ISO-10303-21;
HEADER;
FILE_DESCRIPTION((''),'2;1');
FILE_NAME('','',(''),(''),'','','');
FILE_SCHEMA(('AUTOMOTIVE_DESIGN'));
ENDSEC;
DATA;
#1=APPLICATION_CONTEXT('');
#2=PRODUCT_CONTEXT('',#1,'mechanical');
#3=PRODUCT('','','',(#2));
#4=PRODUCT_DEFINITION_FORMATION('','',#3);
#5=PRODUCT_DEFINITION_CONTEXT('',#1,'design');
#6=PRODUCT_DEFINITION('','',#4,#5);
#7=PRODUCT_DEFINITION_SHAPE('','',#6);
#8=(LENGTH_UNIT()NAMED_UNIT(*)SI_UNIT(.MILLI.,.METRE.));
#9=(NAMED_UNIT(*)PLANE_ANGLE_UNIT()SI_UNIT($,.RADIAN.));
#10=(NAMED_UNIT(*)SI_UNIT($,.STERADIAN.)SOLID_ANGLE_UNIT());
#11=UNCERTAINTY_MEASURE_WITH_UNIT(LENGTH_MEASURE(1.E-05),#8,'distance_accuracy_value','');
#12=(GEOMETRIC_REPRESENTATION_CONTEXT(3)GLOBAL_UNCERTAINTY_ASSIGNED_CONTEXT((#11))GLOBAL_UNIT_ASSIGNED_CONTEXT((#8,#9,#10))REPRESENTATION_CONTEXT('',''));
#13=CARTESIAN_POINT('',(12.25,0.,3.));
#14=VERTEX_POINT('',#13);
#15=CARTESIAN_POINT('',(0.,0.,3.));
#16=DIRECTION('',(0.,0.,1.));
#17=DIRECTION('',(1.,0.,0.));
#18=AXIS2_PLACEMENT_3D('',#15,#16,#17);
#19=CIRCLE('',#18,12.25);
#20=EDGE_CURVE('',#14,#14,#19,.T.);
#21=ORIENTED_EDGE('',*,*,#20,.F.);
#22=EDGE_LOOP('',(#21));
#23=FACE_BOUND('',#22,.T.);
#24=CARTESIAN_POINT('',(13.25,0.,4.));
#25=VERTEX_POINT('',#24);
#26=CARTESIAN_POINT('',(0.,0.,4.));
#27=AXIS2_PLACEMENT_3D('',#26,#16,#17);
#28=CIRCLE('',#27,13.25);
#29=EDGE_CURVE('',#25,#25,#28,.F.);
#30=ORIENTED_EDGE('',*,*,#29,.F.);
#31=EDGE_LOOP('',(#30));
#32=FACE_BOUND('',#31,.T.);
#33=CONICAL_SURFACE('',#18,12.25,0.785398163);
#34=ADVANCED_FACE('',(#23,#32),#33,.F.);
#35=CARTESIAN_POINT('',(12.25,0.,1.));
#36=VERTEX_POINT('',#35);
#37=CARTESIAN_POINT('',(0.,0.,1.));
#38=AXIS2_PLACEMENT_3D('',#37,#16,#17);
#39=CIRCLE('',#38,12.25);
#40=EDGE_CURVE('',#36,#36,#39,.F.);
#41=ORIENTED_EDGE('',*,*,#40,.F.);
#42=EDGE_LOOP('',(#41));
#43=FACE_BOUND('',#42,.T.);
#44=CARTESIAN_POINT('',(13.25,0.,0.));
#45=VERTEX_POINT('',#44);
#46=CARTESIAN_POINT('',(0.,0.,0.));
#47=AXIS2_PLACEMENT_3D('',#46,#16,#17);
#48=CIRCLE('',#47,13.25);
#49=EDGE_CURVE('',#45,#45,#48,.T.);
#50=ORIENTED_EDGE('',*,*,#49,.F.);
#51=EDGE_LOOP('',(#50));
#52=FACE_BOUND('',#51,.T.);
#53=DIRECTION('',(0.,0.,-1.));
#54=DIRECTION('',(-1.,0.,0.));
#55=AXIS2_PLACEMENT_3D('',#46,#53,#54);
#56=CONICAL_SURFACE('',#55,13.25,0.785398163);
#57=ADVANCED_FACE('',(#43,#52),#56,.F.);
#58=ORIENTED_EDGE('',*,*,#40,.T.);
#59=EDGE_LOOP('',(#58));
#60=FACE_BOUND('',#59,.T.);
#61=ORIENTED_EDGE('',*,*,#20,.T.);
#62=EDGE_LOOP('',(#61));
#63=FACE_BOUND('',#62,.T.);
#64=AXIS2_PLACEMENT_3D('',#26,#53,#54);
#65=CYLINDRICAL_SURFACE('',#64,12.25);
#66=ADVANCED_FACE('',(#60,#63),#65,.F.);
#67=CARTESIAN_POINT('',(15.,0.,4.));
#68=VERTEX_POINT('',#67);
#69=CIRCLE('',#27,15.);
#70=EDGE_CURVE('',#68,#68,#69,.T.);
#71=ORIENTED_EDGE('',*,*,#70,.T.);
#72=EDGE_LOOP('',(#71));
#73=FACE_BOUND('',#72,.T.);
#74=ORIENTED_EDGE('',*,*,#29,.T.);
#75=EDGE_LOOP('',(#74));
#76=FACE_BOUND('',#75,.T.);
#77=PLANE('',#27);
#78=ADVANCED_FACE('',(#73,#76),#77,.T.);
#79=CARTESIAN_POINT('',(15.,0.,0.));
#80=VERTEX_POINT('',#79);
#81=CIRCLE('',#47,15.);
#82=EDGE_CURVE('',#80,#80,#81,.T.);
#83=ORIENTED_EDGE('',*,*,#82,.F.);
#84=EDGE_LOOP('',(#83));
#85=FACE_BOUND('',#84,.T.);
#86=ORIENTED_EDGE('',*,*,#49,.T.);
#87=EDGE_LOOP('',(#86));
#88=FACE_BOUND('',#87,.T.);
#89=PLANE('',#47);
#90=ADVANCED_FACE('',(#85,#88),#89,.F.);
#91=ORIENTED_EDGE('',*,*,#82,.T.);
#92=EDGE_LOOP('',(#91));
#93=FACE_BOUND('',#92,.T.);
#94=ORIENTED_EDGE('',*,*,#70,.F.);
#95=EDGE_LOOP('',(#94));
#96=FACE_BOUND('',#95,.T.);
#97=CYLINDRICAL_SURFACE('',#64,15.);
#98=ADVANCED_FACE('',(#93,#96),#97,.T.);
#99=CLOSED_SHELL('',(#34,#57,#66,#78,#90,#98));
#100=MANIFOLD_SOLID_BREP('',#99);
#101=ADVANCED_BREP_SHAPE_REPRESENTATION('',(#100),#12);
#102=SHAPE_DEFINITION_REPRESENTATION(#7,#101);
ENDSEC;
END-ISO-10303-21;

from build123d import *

# Parameters (mm, degrees)
SKETCH_1_R      = 15
SKETCH_1_R_2    = 12.25
EXTRUDE_1_DEPTH = 4
CHAMFER_1_SIZE  = 1


with BuildPart() as part:
    # 草图1 → 凸台-拉伸1 (new body)
    with BuildSketch(Plane.XY):
        Circle(SKETCH_1_R)
        Circle(SKETCH_1_R_2, mode=Mode.SUBTRACT)
    extrude(amount=EXTRUDE_1_DEPTH)

    # 倒角1
    chamfer_1_edges = [part.edges().sort_by_distance(p)[0] for p in [
        (-12.25, 0, 0),
        (-12.25, 0, 4),
    ]]
    chamfer(chamfer_1_edges, length=CHAMFER_1_SIZE)


solid = part.part
